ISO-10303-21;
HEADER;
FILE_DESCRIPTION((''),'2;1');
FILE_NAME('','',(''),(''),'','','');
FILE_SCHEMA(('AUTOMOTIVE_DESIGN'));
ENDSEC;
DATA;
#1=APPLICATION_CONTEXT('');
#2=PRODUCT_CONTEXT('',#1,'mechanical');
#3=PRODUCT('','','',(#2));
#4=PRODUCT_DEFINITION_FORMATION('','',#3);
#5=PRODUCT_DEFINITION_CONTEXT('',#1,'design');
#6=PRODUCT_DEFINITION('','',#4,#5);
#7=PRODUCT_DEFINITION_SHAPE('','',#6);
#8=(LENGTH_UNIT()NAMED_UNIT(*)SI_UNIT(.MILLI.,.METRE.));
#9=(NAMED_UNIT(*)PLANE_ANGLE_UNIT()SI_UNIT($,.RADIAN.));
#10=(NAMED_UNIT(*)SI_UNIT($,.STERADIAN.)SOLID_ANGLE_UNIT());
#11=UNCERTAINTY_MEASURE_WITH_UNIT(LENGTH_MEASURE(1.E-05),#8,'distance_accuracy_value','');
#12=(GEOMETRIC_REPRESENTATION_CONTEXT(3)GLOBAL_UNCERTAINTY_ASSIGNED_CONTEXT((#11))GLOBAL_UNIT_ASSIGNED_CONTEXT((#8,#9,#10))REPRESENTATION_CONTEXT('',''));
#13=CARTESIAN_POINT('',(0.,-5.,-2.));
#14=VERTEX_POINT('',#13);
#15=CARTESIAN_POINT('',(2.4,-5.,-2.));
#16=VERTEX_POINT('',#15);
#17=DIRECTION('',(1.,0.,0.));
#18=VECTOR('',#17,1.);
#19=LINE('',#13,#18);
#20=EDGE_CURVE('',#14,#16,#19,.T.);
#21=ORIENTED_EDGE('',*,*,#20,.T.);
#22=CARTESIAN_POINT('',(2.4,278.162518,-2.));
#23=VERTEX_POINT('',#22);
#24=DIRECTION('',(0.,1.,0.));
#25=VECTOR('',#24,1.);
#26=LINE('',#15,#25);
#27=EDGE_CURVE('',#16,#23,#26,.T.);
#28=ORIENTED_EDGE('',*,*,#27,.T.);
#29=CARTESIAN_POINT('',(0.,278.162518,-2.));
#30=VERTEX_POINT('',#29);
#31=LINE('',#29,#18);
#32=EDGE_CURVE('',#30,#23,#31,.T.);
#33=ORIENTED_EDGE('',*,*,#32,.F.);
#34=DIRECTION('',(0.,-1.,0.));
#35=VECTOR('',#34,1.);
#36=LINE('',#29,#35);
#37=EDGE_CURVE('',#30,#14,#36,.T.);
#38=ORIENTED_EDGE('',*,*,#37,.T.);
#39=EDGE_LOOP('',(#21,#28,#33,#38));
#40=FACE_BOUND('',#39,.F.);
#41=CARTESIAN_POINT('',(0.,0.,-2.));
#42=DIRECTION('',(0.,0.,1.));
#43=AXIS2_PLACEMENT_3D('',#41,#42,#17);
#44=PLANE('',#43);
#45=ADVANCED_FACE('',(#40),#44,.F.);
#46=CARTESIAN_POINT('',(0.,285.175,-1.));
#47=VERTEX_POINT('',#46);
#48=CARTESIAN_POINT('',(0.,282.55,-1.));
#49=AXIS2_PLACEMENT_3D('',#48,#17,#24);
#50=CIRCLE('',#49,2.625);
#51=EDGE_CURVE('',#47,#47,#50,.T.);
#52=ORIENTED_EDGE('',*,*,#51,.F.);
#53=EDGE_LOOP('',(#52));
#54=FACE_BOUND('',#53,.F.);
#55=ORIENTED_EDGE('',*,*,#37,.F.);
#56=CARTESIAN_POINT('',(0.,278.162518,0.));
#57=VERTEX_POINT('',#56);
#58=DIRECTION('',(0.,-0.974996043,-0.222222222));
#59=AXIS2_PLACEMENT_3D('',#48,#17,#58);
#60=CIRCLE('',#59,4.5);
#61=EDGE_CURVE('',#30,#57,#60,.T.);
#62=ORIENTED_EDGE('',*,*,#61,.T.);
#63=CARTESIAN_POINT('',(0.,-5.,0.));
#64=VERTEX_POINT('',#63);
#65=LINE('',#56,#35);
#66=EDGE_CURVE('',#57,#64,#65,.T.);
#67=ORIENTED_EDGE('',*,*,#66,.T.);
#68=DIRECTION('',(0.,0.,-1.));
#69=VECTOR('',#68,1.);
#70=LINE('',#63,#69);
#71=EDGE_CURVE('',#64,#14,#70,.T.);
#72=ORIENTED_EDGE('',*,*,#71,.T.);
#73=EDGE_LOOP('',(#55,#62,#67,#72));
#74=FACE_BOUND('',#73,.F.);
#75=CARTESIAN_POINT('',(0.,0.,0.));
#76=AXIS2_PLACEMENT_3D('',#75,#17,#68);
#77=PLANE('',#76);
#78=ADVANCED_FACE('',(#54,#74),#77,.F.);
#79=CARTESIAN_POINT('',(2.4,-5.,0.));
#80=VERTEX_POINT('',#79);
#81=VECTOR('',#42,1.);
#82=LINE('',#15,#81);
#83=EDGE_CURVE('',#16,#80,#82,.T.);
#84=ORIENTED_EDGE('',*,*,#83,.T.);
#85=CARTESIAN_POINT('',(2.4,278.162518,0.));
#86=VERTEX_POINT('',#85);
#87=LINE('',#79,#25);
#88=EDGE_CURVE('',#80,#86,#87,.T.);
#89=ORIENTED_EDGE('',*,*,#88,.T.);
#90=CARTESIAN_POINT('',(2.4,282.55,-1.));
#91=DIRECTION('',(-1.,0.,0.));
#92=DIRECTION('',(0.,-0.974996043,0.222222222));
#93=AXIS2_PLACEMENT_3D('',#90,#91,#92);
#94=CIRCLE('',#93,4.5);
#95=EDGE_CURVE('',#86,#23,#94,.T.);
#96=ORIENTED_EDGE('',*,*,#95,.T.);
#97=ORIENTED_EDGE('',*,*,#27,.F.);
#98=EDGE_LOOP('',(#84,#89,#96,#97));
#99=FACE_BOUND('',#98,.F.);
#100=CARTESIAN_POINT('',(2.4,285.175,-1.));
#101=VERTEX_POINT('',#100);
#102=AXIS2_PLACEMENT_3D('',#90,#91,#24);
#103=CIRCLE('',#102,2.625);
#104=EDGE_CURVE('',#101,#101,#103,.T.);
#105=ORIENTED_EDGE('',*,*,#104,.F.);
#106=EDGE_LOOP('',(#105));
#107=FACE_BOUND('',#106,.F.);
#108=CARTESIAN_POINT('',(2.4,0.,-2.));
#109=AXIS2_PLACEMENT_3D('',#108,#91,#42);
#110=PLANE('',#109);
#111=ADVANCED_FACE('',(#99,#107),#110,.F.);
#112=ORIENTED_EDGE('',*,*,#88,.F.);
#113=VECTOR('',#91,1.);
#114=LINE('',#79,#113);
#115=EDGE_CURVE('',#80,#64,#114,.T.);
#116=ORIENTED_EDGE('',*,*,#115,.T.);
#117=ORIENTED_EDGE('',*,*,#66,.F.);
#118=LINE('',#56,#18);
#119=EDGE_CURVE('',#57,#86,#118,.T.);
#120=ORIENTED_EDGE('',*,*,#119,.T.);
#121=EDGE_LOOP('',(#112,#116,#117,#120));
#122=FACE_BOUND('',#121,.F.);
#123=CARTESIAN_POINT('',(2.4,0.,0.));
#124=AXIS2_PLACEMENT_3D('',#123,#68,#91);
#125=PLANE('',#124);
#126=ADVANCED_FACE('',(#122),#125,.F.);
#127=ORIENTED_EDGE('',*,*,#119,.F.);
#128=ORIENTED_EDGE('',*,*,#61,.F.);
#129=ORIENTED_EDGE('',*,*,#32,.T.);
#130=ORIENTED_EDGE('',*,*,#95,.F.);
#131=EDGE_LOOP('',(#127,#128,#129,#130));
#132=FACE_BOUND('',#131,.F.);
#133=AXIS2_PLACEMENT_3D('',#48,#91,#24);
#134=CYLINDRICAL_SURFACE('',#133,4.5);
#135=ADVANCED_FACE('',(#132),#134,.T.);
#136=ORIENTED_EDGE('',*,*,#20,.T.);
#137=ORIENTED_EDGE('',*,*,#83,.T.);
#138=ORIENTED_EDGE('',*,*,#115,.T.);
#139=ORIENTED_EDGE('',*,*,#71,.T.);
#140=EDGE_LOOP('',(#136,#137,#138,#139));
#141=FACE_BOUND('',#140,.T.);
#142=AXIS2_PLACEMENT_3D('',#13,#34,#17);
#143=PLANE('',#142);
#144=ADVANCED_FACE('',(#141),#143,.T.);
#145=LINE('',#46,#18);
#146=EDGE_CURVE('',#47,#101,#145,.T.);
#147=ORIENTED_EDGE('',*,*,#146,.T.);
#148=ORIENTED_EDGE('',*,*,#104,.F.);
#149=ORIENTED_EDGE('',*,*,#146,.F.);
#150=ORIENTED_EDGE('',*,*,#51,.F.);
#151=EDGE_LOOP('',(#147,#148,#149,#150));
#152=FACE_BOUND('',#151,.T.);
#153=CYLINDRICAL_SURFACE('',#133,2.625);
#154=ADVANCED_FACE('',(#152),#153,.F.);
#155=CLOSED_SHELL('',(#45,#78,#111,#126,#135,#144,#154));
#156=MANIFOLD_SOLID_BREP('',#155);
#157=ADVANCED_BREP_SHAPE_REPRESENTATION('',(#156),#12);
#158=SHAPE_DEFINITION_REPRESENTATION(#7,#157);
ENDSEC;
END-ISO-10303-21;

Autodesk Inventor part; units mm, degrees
ref_plane "YZ Plane" through (0, 0, 0) normal (1, 0, 0) x (0, 1, 0)
ref_plane "XZ Plane" through (0, 0, 0) normal (0, 1, 0) x (-1, 0, 0)
ref_plane "XY Plane" through (0, 0, 0) normal (0, 0, 1) x (1, 0, 0)
sketch "Sketch4" plane through (0, 0, 0) normal (1, 0, 0) x (0, 1, 0)
  line L0 (0, 0) -> (280, 0)
  line L1 (280, 0) -> (280, -2)
  line L2 (280, -2) -> (0, -2)
  line L3 (0, -2) -> (0, 0)
  circle A0 centre (282.55, -1) radius 2.625
  circle A1 centre (282.55, -1) radius 4.5
  point P0 (278.1625, -2)
  point P1 (278.1625, 0)
  dimension "d10" = 280
  dimension "d11" = 2
  dimension "d12" = 5.25
  dimension "d13" = 9
extrude "Extrusion2" add sketch "Sketch4" along normal blind 2.4 contours L0 A1 L2 L3 | A1 L2 L1 A0 L0 | L0 L1 A0 L2 A1
sketch "Sketch6" plane through (0, 0, -2) normal (0, -1, 0) x (1, 0, 0)
  line L0 (0, 2) -> (0, 0) projected
  line L1 (0, 0) -> (2.4, 0)
  line L2 (2.4, 0) -> (2.4, 2)
  line L3 (2.4, 2) -> (0, 2)
  line L4 (0, 2) -> (0, 0)
extrude "Extrusion4" add sketch "Sketch6" along normal blind 5
properties part number "guide"
